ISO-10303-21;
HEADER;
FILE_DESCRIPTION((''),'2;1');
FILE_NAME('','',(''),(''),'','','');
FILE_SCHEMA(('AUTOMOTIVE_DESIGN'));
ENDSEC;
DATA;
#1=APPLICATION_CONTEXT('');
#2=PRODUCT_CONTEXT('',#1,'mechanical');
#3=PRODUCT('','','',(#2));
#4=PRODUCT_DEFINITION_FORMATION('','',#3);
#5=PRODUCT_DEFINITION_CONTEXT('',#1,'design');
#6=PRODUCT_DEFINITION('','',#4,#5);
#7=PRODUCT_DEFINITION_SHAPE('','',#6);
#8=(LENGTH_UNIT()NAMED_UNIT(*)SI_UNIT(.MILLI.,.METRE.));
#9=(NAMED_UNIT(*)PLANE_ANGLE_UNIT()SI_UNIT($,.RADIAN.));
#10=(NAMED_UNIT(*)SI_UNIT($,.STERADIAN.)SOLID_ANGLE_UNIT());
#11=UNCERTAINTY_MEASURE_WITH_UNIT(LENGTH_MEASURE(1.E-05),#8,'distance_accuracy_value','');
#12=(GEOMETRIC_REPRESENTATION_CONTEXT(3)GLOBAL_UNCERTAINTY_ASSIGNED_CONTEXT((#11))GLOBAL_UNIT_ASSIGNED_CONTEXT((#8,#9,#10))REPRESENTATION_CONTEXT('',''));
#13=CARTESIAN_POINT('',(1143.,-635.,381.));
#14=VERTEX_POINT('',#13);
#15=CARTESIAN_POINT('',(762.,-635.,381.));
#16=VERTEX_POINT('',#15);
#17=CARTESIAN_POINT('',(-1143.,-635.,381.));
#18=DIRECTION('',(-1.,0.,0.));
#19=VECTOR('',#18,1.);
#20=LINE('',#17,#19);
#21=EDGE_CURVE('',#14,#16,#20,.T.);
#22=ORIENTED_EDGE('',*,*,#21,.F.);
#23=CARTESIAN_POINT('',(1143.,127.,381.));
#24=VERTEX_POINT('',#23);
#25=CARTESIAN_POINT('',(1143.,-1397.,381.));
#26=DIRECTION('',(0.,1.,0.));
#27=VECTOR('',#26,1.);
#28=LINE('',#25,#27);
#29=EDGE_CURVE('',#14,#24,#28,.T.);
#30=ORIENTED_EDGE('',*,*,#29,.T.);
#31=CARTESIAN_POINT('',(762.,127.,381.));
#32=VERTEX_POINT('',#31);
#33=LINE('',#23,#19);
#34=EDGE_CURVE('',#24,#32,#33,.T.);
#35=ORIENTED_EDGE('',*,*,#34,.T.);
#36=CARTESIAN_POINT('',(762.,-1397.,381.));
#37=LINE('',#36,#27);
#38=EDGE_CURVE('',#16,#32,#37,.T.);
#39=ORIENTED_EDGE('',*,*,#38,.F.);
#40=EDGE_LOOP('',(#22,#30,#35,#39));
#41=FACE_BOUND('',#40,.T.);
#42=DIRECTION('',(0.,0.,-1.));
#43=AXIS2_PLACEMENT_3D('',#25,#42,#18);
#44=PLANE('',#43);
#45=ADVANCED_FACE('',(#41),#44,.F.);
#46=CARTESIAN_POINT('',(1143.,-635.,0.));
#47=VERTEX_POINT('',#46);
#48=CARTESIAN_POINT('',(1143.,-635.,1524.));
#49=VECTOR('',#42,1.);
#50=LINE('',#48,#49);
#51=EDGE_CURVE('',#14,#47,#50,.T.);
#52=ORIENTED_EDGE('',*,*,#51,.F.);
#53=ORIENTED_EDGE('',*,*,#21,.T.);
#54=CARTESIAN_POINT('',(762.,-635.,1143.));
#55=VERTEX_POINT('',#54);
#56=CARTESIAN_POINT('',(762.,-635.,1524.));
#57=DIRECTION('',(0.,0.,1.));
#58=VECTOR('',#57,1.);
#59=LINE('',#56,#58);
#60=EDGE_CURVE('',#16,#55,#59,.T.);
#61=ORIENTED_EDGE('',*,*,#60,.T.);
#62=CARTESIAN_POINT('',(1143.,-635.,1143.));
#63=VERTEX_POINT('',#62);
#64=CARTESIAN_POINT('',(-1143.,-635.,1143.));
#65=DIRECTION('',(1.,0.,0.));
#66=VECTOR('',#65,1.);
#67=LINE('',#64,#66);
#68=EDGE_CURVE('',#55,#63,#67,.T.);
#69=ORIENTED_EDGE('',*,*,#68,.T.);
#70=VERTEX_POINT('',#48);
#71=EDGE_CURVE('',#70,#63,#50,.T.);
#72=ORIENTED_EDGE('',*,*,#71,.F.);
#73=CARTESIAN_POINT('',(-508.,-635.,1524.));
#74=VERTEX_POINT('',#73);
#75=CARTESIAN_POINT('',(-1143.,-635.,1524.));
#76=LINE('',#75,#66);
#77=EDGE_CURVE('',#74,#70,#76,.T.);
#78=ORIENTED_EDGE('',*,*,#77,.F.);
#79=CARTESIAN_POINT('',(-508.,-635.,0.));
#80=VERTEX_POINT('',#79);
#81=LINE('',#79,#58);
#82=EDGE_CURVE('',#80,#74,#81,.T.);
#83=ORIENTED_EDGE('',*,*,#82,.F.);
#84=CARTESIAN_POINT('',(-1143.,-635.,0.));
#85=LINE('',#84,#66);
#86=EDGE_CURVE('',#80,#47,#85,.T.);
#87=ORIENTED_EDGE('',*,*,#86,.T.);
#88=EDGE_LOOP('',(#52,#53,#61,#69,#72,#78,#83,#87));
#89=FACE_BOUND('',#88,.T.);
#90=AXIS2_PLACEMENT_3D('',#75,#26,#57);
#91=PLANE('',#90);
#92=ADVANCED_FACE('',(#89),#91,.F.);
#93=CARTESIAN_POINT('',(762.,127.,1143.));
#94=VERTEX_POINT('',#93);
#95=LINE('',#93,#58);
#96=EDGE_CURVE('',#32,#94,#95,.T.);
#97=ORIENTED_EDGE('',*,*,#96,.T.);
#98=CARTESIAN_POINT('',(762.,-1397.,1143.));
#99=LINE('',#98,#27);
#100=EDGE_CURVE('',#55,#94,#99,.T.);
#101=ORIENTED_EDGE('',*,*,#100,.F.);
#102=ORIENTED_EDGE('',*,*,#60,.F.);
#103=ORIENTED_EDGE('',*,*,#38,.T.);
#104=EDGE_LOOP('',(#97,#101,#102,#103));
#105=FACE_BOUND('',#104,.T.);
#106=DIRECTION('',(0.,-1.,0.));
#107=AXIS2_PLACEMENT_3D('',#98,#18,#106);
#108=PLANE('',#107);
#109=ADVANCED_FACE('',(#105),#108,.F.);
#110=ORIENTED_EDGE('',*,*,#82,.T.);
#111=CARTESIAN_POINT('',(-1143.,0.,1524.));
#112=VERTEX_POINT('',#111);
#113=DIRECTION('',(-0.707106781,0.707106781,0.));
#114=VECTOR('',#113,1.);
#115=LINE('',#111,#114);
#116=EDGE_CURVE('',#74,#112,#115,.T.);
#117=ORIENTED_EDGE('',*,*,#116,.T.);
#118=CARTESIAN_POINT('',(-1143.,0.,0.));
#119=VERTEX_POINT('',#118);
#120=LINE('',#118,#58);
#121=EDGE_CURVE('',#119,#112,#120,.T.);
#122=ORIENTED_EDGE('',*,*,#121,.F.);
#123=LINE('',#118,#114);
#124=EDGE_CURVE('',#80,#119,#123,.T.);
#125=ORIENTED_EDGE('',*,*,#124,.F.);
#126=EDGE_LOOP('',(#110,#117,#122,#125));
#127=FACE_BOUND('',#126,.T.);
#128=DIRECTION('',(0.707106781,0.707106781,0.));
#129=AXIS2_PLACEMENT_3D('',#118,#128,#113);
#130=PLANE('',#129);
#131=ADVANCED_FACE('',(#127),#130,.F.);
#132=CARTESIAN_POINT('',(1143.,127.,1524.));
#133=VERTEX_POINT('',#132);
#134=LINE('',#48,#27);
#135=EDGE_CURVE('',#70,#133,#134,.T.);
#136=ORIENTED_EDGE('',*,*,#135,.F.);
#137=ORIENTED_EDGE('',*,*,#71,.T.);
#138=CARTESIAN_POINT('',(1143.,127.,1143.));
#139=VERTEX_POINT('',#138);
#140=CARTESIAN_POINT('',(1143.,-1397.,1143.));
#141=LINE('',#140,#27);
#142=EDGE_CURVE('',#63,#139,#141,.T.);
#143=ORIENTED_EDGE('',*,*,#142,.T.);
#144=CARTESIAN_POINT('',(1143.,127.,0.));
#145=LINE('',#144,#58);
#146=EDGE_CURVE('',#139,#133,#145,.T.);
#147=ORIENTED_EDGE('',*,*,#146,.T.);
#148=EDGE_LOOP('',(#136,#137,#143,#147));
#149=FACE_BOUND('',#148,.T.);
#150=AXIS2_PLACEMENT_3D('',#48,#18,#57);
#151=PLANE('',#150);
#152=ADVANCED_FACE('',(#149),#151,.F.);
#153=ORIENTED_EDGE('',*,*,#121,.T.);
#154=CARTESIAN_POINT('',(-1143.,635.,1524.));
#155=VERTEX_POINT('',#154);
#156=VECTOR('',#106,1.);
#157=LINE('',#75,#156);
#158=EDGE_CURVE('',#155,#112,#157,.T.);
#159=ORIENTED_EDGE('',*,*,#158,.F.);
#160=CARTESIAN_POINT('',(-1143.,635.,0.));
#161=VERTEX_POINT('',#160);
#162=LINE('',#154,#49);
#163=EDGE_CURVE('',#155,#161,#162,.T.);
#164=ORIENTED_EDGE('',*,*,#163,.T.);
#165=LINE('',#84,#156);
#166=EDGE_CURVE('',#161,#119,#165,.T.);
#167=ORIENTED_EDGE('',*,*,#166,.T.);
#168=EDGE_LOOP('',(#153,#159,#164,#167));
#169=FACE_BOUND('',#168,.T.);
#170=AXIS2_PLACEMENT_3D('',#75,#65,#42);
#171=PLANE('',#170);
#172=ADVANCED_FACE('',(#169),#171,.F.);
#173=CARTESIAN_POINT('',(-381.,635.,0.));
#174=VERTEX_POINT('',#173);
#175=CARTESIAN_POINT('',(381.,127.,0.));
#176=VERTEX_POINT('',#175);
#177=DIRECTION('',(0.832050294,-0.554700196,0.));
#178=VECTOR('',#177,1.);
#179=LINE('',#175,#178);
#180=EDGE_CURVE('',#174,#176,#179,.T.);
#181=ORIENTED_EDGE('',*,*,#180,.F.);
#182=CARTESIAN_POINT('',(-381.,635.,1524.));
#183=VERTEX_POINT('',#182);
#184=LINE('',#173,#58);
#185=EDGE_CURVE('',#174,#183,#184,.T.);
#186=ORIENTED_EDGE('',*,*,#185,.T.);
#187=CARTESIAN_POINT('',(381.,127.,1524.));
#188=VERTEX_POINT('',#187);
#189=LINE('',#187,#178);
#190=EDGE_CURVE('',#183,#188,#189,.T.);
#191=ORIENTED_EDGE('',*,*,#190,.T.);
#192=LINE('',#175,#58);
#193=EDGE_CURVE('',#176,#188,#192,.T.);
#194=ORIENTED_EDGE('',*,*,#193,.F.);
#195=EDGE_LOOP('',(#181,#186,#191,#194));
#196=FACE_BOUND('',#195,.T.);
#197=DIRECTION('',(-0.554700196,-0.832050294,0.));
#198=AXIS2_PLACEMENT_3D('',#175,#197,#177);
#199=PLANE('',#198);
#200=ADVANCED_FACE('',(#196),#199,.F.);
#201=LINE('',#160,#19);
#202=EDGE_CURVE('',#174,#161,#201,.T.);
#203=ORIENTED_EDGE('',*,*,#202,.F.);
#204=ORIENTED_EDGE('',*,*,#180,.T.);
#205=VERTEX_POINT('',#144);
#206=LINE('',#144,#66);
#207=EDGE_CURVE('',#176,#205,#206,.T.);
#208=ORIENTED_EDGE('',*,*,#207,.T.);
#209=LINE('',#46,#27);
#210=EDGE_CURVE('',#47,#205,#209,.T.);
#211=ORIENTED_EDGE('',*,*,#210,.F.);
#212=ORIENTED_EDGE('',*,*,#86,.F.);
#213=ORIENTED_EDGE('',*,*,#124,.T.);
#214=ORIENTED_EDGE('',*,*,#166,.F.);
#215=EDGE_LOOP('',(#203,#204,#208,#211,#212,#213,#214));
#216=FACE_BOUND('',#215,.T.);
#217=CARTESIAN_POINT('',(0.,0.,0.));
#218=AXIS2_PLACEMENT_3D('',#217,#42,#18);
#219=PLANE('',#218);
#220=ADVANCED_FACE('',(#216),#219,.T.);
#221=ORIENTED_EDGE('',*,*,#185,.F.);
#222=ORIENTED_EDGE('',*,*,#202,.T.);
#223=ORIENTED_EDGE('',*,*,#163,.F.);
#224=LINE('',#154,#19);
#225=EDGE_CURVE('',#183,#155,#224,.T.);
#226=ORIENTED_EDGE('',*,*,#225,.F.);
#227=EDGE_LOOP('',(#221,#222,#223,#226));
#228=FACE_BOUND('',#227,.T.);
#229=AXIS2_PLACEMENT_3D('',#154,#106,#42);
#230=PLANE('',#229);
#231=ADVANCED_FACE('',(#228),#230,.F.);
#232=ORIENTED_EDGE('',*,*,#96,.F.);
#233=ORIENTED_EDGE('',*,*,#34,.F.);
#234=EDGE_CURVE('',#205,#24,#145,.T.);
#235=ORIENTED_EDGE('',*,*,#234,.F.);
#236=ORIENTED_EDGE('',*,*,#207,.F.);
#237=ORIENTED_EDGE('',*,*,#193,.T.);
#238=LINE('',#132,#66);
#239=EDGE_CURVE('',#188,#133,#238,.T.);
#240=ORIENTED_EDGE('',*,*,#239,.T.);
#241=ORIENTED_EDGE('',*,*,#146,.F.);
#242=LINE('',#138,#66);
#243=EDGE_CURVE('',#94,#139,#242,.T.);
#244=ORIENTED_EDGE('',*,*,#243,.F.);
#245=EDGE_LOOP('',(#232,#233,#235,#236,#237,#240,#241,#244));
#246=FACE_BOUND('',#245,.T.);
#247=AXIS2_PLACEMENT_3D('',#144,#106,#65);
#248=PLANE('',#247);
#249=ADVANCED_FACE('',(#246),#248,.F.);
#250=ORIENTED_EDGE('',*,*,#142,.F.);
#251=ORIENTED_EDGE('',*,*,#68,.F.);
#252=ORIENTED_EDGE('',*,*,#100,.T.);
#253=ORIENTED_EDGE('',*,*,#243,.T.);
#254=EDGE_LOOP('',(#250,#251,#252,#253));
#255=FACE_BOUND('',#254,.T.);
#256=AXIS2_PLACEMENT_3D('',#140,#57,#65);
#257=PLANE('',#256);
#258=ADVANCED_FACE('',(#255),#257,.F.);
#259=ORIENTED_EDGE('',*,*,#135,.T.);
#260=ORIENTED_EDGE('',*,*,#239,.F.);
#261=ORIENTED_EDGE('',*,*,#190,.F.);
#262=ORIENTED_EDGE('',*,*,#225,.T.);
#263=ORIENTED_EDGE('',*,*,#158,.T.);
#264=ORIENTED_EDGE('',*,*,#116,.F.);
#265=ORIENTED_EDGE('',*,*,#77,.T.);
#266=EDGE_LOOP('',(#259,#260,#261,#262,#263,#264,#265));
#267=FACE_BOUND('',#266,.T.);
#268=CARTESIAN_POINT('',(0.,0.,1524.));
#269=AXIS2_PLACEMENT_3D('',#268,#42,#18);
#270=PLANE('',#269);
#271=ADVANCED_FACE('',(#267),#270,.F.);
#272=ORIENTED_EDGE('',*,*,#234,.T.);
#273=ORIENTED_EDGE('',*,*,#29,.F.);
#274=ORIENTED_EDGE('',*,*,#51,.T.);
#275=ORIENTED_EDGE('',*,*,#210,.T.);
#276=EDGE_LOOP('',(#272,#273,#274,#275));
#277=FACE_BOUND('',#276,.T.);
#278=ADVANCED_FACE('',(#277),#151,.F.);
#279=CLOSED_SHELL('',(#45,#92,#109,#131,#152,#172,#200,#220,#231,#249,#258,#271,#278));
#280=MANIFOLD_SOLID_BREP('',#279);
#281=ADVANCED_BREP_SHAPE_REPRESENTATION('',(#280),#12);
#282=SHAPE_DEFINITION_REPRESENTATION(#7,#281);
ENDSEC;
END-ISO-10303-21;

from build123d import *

# Parameters (mm, degrees)
SKETCH1_W           = 2286
SKETCH1_H           = 1270
BOSS_EXTRUDE1_DEPTH = 1524
CUT_EXTRUDE1_DEPTH  = 2009.046314207
CUT_EXTRUDE2_DEPTH  = 1524
SKETCH4_W           = 381
SKETCH4_H           = 762
CUT_EXTRUDE3_DEPTH  = 1524


with BuildPart() as part:
    # Sketch1 → Boss-Extrude1 (new body)
    with BuildSketch(Plane.XY):
        Rectangle(SKETCH1_W, SKETCH1_H)
    extrude(amount=BOSS_EXTRUDE1_DEPTH)

    # Sketch2 → Cut-Extrude1 (cut, through all)
    with BuildSketch(Plane.XY.offset(1524)):
        Polygon((-1143, 0), (-508, -635), (-1143, -635), align=None)
    extrude(amount=-CUT_EXTRUDE1_DEPTH, mode=Mode.SUBTRACT)

    # Sketch3 → Cut-Extrude2 (cut)
    with BuildSketch(Plane.XY.offset(1524)):
        Polygon((381, 127), (-381, 635), (381, 635), (1143, 635), (1143, 127), align=None)
    extrude(amount=-CUT_EXTRUDE2_DEPTH, mode=Mode.SUBTRACT)

    # Sketch4 → Cut-Extrude3 (cut)
    with BuildSketch(Plane(origin=(0, 127, 0), x_dir=(1, 0, 0), z_dir=(0, 1, 0))):
        with Locations((952.5, -762)):
            Rectangle(SKETCH4_W, SKETCH4_H)
    extrude(amount=-CUT_EXTRUDE3_DEPTH, mode=Mode.SUBTRACT)


solid = part.part
